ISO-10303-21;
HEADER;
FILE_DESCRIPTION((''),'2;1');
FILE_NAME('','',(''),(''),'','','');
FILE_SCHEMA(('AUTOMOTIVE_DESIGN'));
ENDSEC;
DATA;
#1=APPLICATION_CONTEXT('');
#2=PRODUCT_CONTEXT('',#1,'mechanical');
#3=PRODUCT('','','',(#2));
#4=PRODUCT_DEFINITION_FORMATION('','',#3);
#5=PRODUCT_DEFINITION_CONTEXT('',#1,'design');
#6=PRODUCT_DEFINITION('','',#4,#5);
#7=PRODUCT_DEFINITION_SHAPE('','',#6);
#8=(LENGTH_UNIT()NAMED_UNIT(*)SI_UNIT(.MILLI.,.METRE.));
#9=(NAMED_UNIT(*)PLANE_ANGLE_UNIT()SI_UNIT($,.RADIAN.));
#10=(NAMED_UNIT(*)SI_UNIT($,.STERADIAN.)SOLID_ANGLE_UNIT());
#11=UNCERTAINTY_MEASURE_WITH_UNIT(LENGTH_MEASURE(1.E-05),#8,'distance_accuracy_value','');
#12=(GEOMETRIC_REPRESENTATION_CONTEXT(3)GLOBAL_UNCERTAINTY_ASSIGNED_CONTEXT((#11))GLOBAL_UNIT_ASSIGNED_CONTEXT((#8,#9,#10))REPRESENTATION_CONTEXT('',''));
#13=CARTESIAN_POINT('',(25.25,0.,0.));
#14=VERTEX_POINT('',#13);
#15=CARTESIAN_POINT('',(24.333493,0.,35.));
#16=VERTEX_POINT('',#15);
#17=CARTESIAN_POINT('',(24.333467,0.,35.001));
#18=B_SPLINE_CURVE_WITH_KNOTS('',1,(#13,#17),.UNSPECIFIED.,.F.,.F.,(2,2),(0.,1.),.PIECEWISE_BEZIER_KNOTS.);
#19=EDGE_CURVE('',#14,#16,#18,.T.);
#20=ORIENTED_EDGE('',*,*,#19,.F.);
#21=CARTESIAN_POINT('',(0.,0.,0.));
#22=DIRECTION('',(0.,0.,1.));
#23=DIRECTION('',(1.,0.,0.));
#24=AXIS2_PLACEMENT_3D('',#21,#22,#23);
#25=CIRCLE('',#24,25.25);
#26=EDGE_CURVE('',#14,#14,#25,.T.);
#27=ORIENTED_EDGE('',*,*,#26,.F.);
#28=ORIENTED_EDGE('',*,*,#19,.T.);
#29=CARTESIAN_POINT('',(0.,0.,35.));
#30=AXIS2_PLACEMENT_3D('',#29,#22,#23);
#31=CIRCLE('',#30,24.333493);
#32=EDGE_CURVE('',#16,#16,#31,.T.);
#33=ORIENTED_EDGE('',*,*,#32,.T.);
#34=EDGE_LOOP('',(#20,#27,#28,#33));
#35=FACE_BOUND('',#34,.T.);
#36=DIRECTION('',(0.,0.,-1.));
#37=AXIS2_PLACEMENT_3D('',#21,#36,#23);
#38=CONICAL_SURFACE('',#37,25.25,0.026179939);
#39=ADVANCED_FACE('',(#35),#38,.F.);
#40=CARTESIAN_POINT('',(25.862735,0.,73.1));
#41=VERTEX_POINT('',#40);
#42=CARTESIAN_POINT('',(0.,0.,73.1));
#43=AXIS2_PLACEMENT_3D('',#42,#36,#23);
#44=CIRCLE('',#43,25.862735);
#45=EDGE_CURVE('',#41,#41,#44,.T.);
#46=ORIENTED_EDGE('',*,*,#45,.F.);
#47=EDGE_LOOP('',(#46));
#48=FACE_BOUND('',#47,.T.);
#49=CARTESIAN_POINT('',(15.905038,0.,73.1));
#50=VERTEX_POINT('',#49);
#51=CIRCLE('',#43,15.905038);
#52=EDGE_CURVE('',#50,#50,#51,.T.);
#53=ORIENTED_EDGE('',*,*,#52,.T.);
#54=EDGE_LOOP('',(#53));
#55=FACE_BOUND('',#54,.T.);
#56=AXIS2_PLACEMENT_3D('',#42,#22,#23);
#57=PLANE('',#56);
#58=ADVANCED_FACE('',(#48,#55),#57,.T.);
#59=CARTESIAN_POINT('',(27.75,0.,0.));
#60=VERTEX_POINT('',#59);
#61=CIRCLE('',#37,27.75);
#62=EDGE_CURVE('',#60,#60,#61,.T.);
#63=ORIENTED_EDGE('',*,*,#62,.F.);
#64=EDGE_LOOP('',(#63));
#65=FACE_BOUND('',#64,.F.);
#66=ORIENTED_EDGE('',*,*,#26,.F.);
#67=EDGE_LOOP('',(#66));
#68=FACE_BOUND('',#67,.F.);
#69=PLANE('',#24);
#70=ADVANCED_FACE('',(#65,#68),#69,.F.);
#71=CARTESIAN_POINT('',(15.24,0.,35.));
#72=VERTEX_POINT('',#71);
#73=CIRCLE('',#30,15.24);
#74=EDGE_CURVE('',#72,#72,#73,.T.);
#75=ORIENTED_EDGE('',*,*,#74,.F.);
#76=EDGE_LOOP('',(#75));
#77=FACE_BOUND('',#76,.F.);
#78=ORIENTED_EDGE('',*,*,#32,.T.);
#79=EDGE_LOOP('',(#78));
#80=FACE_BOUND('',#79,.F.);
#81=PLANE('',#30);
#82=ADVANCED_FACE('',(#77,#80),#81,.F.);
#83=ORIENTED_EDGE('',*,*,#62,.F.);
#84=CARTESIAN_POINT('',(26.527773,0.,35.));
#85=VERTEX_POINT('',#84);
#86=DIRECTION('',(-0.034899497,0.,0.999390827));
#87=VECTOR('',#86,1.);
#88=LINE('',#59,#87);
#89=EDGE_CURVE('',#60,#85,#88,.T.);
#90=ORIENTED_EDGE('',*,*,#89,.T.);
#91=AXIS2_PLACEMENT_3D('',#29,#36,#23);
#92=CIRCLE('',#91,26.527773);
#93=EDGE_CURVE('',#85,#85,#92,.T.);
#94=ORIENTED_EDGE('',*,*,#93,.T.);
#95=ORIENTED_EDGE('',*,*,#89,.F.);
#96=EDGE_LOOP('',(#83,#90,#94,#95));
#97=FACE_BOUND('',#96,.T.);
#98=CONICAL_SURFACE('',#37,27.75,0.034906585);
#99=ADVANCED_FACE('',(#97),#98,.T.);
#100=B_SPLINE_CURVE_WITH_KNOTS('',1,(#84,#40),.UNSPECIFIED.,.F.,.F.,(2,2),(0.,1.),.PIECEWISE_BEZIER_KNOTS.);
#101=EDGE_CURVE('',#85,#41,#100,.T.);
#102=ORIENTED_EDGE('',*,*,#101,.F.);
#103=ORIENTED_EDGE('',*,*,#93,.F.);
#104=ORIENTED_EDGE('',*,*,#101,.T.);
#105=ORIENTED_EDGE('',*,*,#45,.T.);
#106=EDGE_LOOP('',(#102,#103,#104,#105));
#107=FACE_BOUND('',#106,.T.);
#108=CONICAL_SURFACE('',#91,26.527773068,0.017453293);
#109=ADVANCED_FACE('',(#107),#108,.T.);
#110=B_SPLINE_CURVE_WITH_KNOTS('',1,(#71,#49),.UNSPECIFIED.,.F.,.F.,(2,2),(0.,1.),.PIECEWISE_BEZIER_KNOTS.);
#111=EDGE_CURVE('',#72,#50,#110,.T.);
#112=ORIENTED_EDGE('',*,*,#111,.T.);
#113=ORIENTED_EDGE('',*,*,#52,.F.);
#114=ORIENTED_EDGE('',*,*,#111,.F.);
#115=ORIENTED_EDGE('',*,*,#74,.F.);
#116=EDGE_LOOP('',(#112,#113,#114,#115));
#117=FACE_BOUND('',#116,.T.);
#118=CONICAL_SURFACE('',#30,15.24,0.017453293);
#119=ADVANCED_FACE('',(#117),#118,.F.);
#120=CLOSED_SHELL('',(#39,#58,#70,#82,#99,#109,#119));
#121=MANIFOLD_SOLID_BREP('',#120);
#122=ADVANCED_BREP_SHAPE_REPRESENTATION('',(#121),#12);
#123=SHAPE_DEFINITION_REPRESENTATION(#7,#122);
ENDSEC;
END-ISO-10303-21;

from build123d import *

# Parameters (mm, degrees)
F0_R     = 27.75
F1_DEPTH = 35
F1_TAPER = 2
F2_R     = 25.25
F3_DEPTH = 35.001
F3_TAPER = 1.5
F4_R     = 26.5277730678
F4_R_2   = 15.24
F5_DEPTH = 38.1
F5_TAPER = 1


with BuildPart() as f1:
    # F0 (on Top) → F1 (new body)
    with BuildSketch(Plane.XY):
        Circle(F0_R)
    extrude(amount=F1_DEPTH, taper=F1_TAPER)

    # F2 (on face) → F3 (cut, through all)
    with BuildSketch(Plane(origin=(0, 0, 0), x_dir=(1, 0, 0), z_dir=(0, 0, -1))):
        Circle(F2_R)
    extrude(amount=-F3_DEPTH, taper=F3_TAPER, mode=Mode.SUBTRACT)

    # F4 (on face) → F5 (join)
    with BuildSketch(Plane.XY.offset(35)):
        Circle(F4_R)
        Circle(F4_R_2, mode=Mode.SUBTRACT)
    extrude(amount=F5_DEPTH, taper=F5_TAPER)


solid = f1.part
